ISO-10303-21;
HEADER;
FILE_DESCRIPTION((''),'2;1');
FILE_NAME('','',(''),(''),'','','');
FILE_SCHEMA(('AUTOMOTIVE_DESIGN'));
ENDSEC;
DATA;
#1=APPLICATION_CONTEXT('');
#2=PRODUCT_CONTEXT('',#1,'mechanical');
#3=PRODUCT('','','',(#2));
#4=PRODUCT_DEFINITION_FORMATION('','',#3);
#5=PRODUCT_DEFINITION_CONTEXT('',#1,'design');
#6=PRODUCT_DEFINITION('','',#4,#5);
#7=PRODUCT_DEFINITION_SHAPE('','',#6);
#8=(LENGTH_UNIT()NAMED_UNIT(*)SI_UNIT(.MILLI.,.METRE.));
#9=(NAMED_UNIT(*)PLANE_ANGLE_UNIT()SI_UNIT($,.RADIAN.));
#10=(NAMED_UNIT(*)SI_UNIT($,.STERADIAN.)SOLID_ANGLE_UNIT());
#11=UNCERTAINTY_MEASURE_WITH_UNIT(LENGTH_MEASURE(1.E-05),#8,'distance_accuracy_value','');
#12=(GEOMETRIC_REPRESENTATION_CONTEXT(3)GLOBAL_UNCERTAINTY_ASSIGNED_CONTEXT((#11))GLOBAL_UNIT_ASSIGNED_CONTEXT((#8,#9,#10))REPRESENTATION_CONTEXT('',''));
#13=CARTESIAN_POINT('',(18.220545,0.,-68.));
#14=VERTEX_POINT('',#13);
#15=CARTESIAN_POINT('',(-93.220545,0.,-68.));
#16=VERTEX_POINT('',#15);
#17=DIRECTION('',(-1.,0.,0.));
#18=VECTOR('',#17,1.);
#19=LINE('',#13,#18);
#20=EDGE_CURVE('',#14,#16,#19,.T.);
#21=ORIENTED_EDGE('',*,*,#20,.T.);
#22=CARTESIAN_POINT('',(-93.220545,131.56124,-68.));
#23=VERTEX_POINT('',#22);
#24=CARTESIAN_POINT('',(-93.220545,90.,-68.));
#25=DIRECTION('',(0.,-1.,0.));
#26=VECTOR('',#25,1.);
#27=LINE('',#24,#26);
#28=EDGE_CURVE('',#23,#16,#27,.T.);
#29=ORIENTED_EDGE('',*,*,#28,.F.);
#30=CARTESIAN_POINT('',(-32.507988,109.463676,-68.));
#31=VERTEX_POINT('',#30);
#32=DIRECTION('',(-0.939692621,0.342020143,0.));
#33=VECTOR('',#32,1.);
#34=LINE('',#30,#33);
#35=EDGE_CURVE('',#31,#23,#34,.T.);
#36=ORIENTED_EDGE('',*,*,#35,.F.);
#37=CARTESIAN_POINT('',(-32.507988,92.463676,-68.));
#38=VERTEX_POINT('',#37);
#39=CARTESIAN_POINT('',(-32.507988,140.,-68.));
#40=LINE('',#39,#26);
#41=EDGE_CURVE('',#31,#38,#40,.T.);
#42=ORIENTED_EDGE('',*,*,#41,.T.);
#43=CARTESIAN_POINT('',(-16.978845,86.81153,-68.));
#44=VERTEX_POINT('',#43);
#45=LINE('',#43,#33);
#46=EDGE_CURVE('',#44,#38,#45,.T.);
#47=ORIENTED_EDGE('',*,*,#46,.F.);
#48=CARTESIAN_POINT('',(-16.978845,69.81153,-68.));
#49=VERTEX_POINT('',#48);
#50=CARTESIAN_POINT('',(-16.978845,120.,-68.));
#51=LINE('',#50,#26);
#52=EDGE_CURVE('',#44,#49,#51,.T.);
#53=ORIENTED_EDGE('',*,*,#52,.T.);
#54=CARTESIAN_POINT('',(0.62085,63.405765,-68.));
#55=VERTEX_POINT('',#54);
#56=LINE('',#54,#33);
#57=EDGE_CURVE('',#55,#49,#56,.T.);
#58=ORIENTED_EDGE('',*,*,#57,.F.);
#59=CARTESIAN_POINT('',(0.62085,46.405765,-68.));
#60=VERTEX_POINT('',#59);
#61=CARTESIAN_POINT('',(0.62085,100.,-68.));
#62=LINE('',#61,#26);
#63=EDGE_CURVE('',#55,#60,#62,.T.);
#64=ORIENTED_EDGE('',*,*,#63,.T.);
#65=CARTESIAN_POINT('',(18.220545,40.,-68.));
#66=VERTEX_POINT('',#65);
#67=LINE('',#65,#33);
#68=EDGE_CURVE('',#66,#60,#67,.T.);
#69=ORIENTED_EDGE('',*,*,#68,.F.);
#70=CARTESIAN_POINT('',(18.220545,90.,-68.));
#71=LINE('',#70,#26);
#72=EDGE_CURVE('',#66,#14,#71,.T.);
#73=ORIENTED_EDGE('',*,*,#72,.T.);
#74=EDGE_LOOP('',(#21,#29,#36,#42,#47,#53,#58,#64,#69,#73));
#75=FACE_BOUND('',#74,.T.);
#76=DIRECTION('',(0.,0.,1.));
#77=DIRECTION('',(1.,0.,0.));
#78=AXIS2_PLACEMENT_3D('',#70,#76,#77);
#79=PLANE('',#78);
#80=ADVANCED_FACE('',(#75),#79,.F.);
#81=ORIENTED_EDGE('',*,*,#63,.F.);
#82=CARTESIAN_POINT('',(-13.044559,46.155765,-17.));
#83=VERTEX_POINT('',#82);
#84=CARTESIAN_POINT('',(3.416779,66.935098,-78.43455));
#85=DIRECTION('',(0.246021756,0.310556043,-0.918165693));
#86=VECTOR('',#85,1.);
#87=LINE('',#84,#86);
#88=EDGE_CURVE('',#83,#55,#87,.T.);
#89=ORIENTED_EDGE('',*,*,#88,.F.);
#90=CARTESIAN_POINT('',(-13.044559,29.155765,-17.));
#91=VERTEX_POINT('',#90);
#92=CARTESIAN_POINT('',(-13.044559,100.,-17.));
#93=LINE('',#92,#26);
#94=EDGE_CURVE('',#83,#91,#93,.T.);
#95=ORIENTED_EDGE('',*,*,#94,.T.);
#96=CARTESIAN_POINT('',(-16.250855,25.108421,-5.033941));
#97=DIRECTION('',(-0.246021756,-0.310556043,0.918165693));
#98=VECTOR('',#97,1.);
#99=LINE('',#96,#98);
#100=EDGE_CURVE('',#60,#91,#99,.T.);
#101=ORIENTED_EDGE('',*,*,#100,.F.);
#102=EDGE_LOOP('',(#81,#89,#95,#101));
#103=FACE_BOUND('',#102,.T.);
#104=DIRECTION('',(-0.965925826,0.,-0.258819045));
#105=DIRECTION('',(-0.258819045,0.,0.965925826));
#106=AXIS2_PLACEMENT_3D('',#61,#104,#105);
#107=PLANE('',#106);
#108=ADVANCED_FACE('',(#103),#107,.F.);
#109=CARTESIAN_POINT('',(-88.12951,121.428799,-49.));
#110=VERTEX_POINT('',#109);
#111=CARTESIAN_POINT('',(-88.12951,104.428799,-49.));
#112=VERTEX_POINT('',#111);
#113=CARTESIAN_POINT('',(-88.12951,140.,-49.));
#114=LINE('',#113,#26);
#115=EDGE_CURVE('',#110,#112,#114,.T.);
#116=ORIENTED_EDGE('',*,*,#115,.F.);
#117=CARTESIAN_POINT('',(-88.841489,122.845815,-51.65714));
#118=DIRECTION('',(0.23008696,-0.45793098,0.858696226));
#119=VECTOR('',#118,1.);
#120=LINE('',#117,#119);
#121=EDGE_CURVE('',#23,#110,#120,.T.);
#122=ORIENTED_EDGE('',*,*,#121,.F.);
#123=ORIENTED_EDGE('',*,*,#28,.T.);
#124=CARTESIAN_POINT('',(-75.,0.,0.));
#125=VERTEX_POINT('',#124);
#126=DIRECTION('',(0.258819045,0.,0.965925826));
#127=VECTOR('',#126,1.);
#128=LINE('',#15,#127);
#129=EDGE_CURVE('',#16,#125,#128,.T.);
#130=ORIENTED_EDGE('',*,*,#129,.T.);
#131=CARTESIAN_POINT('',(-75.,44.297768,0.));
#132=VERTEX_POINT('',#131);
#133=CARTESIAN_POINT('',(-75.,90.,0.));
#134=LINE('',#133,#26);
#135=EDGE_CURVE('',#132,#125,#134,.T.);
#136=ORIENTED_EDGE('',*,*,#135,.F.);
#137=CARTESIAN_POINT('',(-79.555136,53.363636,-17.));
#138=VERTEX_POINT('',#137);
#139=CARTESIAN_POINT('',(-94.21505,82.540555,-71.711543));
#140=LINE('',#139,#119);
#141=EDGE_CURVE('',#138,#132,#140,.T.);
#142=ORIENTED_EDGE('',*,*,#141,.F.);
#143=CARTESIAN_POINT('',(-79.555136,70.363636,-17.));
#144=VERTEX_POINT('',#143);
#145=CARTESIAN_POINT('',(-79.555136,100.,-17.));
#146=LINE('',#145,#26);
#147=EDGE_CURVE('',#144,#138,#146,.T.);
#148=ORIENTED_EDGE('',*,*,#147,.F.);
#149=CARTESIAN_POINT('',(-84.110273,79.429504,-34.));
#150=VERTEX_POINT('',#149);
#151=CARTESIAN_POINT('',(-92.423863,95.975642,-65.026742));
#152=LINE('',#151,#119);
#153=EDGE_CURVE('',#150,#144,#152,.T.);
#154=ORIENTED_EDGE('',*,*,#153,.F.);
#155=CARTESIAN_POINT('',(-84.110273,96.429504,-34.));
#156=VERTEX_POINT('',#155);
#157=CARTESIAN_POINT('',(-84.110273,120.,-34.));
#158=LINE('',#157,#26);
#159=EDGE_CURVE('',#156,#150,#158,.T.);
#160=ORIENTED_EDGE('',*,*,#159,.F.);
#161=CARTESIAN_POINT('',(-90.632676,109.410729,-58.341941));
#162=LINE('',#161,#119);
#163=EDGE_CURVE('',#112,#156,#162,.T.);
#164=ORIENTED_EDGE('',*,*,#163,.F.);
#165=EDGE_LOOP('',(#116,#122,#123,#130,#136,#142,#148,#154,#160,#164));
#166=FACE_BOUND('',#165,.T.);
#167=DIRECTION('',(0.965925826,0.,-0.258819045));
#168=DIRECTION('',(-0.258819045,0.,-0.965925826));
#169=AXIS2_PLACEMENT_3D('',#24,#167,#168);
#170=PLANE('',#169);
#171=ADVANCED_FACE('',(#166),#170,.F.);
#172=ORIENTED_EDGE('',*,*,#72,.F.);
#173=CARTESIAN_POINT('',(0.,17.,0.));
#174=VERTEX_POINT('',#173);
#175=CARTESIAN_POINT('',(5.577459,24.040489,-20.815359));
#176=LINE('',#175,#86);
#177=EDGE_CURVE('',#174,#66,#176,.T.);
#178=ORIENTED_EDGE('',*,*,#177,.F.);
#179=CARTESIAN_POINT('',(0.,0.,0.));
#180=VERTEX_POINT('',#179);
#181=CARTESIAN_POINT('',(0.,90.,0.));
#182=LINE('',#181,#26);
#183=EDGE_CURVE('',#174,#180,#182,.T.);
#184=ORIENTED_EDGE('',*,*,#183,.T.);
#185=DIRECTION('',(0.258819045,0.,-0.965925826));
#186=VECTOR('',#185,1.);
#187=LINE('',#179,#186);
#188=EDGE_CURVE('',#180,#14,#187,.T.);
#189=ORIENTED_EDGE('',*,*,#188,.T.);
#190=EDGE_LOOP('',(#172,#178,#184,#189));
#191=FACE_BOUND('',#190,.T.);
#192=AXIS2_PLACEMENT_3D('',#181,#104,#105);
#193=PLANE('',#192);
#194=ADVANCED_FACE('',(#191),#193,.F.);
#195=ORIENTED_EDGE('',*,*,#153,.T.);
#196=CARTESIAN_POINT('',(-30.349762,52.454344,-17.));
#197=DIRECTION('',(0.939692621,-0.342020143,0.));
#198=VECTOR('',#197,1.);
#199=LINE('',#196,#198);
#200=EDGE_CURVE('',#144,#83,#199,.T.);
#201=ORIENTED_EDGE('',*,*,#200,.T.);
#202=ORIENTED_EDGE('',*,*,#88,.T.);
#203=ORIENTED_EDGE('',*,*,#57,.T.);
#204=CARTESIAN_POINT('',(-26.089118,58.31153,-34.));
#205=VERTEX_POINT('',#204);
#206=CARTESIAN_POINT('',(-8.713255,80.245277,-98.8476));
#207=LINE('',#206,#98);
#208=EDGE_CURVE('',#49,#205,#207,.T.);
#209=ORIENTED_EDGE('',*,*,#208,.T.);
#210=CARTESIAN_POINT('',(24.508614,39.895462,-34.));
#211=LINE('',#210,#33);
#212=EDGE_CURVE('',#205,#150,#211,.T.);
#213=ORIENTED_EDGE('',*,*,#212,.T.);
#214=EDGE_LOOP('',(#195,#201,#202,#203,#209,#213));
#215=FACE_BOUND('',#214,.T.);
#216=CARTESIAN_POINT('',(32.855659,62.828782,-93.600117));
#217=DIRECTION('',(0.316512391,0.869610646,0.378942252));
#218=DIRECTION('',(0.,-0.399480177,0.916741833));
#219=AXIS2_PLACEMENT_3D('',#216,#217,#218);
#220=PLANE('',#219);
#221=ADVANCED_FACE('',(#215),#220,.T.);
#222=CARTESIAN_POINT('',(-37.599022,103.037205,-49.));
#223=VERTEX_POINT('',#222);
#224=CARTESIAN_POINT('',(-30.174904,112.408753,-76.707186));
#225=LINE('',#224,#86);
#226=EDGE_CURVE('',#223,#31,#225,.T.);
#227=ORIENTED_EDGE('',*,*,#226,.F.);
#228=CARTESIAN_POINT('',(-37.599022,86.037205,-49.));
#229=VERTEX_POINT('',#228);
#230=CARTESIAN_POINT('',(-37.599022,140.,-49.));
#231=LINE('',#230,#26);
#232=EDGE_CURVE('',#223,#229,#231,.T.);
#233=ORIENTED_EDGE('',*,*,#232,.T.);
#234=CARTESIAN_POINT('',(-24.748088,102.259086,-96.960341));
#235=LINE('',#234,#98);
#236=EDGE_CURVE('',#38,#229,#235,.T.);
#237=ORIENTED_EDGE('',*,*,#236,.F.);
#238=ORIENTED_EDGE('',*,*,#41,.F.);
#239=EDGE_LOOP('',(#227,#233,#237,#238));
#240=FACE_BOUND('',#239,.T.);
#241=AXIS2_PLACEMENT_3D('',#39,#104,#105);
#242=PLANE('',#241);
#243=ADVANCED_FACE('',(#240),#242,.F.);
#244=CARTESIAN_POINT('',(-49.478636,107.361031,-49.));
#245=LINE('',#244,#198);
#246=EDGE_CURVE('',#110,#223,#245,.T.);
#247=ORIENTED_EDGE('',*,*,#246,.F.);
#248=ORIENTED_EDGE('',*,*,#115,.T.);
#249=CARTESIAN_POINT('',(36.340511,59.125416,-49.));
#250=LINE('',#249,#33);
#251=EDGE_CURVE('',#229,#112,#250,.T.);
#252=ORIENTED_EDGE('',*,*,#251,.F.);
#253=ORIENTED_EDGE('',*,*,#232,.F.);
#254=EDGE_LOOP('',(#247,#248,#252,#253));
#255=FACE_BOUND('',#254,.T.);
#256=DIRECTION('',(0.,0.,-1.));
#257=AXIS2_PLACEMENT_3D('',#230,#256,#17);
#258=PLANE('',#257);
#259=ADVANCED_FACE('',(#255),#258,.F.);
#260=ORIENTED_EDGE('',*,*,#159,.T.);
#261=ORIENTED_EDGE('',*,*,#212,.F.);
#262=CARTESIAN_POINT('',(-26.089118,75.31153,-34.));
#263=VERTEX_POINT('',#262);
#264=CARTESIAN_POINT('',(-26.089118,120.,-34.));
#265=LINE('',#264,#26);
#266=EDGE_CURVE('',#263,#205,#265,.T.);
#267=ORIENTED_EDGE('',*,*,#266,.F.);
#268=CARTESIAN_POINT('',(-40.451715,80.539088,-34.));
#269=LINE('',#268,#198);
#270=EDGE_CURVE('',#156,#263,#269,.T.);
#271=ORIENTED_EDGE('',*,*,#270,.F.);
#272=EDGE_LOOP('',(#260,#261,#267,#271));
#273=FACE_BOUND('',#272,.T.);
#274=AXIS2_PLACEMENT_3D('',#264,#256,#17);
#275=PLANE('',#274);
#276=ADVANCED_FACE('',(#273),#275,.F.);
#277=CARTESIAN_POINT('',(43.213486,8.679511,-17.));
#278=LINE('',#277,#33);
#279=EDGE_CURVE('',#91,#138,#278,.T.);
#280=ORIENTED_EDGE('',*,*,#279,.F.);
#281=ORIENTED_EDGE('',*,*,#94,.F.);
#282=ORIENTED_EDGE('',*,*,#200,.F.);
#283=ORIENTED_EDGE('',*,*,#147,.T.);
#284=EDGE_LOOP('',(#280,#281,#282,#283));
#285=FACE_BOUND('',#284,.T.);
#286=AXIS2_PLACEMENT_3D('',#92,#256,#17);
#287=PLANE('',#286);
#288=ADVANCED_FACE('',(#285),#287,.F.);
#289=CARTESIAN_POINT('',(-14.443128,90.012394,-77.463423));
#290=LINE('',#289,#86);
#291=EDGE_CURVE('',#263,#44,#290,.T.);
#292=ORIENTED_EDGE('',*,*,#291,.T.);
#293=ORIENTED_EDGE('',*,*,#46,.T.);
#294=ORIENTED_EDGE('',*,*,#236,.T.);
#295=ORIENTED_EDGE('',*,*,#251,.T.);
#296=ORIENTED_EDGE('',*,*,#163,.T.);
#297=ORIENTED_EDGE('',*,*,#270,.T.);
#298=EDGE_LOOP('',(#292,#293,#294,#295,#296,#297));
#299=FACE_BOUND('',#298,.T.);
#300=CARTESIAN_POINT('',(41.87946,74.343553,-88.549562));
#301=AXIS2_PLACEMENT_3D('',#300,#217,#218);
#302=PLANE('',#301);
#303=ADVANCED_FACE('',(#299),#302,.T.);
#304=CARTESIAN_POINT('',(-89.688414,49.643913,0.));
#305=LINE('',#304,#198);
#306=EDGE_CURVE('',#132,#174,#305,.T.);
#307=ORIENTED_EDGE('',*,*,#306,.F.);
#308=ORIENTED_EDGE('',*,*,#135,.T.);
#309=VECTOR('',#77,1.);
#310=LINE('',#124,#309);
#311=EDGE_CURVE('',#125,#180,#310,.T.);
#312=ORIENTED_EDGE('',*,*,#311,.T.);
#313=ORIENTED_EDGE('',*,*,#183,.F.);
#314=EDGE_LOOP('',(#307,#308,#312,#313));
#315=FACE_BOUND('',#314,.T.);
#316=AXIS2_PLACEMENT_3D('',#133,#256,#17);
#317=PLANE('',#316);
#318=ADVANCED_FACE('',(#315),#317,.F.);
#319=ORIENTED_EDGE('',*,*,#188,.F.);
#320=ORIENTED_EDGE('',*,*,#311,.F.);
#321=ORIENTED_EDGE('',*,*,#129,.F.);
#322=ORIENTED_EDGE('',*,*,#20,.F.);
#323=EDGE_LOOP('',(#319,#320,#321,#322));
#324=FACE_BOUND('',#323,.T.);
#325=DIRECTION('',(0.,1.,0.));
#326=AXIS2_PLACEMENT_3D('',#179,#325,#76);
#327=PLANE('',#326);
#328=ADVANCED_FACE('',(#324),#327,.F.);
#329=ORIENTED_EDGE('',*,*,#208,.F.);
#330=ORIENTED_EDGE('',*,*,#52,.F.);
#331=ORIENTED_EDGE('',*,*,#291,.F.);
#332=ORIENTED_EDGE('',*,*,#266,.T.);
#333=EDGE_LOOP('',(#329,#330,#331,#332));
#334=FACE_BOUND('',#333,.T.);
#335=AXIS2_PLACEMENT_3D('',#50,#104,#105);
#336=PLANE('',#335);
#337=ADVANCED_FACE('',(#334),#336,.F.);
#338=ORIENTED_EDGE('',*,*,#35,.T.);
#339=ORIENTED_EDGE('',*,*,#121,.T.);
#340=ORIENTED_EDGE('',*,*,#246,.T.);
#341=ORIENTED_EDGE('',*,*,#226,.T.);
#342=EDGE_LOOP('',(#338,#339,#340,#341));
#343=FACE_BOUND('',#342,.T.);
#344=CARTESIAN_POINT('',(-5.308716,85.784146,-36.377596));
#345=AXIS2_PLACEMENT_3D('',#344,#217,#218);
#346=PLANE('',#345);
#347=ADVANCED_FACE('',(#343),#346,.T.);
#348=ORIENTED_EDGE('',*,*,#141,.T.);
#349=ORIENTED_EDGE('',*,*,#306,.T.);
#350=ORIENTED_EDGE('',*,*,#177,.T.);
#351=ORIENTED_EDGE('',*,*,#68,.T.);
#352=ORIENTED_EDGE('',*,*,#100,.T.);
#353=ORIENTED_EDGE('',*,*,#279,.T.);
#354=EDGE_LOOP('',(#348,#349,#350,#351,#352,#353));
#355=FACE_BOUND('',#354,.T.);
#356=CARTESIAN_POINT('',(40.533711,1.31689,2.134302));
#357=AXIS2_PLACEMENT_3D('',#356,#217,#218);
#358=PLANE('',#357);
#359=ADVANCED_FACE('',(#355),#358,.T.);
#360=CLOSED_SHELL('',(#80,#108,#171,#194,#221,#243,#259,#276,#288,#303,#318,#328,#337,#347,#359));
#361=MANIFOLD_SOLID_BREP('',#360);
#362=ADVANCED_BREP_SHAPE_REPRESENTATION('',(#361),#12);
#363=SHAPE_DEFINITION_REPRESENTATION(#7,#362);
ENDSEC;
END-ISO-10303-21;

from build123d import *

# Parameters (mm, degrees)
EXTRUDE1_DEPTH     = 90
CUT_EXTRUDE1_DEPTH = 69
SKETCH4_W          = 158.762085971
SKETCH4_H          = 101.139551932
CUT_EXTRUDE2_DEPTH = 30
EXTRUDE2_DEPTH     = 100
CUT_EXTRUDE3_DEPTH = 69
SKETCH8_W          = 142.373577685
SKETCH8_H          = 89.670115664
CUT_EXTRUDE4_DEPTH = 20
EXTRUDE3_DEPTH     = 120
CUT_EXTRUDE5_DEPTH = 69
SKETCH12_W         = 148.763155866
SKETCH12_H         = 89.075175212
CUT_EXTRUDE6_DEPTH = 20
EXTRUDE4_DEPTH     = 140
CUT_EXTRUDE7_DEPTH = 69
SKETCH16_W         = 108.093048797
SKETCH16_H         = 52.640689948
CUT_EXTRUDE8_DEPTH = 10


with BuildPart() as part:
    # Sketch1 → Extrude1 (new body)
    with BuildSketch(Plane(origin=(0, 0, 0), x_dir=(1, 0, 0), z_dir=(0, 1, 0))):
        Polygon((0, 0), (18.220545085, 68), (-93.220545085, 68), (-75, 0), align=None)
    extrude(amount=EXTRUDE1_DEPTH)

    # Sketch2 → Cut-Extrude1 (cut, through all)
    with BuildSketch(Plane(origin=(0, 0, -68), x_dir=(-1, 0, 0), z_dir=(0, 0, -1))):
        Polygon((-18.220545085, 40), (93.220545085, 80.561239696), (93.220545085, 90), (-18.220545085, 90), align=None)
    extrude(amount=-CUT_EXTRUDE1_DEPTH, mode=Mode.SUBTRACT)

    # Sketch4 → Cut-Extrude2 (cut)
    with BuildSketch(Plane(origin=(4.679123258, 12.855785494, 5.602047686), x_dir=(-0.948588376, 0.290160149, 0.126440426), z_dir=(0.316512391, 0.869610646, 0.378942252))):
        with Locations((41.583207075, -49.139243179)):
            Rectangle(SKETCH4_W, SKETCH4_H)
    extrude(amount=CUT_EXTRUDE2_DEPTH, mode=Mode.SUBTRACT)

    # Sketch5 → Extrude2 (add)
    with BuildSketch(Plane(origin=(0, 0, 0), x_dir=(1, 0, 0), z_dir=(0, 1, 0))):
        Polygon((0.620850018, 68), (-13.044558796, 17), (-79.555136271, 17), (-93.220545085, 68), align=None)
    extrude(amount=EXTRUDE2_DEPTH)

    # Sketch6 → Cut-Extrude3 (cut, through all)
    with BuildSketch(Plane(origin=(0, 0, -68), x_dir=(-1, 0, 0), z_dir=(0, 0, -1))):
        Polygon((-0.620850018, 63.405765137), (93.220545085, 97.561239696), (93.220545085, 100), (-0.620850018, 100), align=None)
    extrude(amount=-CUT_EXTRUDE3_DEPTH, mode=Mode.SUBTRACT)

    # Sketch8 → Cut-Extrude4 (cut)
    with BuildSketch(Plane(origin=(9.358246516, 25.711570987, 11.204095371), x_dir=(-0.948588376, 0.290160149, 0.126440426), z_dir=(0.316512391, 0.869610646, 0.378942252))):
        with Locations((46.415862332, -66.070937723)):
            Rectangle(SKETCH8_W, SKETCH8_H)
    extrude(amount=CUT_EXTRUDE4_DEPTH, mode=Mode.SUBTRACT)

    # Sketch9 → Extrude3 (add)
    with BuildSketch(Plane(origin=(0, 0, 0), x_dir=(1, 0, 0), z_dir=(0, 1, 0))):
        Polygon((-16.978845049, 68), (-26.089117591, 34), (-84.110272543, 34), (-93.220545085, 68), align=None)
    extrude(amount=EXTRUDE3_DEPTH)

    # Sketch10 → Cut-Extrude5 (cut, through all)
    with BuildSketch(Plane(origin=(0, 0, -68), x_dir=(-1, 0, 0), z_dir=(0, 0, -1))):
        Polygon((16.978845049, 86.811530273), (93.220545085, 114.561239696), (93.220545085, 120), (16.978845049, 120), align=None)
    extrude(amount=-CUT_EXTRUDE5_DEPTH, mode=Mode.SUBTRACT)

    # Sketch12 → Cut-Extrude6 (cut)
    with BuildSketch(Plane(origin=(14.037369773, 38.567356481, 16.806143057), x_dir=(-0.948588376, 0.290160149, 0.126440426), z_dir=(0.316512391, 0.869610646, 0.378942252))):
        with Locations((45.030500849, -66.338275795)):
            Rectangle(SKETCH12_W, SKETCH12_H)
    extrude(amount=CUT_EXTRUDE6_DEPTH, mode=Mode.SUBTRACT)

    # Sketch13 → Extrude4 (add)
    with BuildSketch(Plane(origin=(0, 0, 0), x_dir=(1, 0, 0), z_dir=(0, 1, 0))):
        Polygon((-93.220545085, 68), (-32.507987755, 68), (-37.599022411, 49), (-88.129510429, 49), align=None)
    extrude(amount=EXTRUDE4_DEPTH)

    # Sketch14 → Cut-Extrude7 (cut, through all)
    with BuildSketch(Plane(origin=(0, 0, -68), x_dir=(-1, 0, 0), z_dir=(0, 0, -1))):
        Polygon((32.507987755, 109.463675982), (93.220545085, 131.561239696), (93.220545085, 140), (32.507987755, 140), align=None)
    extrude(amount=-CUT_EXTRUDE7_DEPTH, mode=Mode.SUBTRACT)

    # Sketch16 → Cut-Extrude8 (cut)
    with BuildSketch(Plane(origin=(18.716493031, 51.423141974, 22.408190743), x_dir=(-0.948588376, 0.290160149, 0.126440426), z_dir=(0.316512391, 0.869610646, 0.378942252))):
        with Locations((79.37385231, -93.938274555)):
            Rectangle(SKETCH16_W, SKETCH16_H)
    extrude(amount=CUT_EXTRUDE8_DEPTH, mode=Mode.SUBTRACT)


solid = part.part
